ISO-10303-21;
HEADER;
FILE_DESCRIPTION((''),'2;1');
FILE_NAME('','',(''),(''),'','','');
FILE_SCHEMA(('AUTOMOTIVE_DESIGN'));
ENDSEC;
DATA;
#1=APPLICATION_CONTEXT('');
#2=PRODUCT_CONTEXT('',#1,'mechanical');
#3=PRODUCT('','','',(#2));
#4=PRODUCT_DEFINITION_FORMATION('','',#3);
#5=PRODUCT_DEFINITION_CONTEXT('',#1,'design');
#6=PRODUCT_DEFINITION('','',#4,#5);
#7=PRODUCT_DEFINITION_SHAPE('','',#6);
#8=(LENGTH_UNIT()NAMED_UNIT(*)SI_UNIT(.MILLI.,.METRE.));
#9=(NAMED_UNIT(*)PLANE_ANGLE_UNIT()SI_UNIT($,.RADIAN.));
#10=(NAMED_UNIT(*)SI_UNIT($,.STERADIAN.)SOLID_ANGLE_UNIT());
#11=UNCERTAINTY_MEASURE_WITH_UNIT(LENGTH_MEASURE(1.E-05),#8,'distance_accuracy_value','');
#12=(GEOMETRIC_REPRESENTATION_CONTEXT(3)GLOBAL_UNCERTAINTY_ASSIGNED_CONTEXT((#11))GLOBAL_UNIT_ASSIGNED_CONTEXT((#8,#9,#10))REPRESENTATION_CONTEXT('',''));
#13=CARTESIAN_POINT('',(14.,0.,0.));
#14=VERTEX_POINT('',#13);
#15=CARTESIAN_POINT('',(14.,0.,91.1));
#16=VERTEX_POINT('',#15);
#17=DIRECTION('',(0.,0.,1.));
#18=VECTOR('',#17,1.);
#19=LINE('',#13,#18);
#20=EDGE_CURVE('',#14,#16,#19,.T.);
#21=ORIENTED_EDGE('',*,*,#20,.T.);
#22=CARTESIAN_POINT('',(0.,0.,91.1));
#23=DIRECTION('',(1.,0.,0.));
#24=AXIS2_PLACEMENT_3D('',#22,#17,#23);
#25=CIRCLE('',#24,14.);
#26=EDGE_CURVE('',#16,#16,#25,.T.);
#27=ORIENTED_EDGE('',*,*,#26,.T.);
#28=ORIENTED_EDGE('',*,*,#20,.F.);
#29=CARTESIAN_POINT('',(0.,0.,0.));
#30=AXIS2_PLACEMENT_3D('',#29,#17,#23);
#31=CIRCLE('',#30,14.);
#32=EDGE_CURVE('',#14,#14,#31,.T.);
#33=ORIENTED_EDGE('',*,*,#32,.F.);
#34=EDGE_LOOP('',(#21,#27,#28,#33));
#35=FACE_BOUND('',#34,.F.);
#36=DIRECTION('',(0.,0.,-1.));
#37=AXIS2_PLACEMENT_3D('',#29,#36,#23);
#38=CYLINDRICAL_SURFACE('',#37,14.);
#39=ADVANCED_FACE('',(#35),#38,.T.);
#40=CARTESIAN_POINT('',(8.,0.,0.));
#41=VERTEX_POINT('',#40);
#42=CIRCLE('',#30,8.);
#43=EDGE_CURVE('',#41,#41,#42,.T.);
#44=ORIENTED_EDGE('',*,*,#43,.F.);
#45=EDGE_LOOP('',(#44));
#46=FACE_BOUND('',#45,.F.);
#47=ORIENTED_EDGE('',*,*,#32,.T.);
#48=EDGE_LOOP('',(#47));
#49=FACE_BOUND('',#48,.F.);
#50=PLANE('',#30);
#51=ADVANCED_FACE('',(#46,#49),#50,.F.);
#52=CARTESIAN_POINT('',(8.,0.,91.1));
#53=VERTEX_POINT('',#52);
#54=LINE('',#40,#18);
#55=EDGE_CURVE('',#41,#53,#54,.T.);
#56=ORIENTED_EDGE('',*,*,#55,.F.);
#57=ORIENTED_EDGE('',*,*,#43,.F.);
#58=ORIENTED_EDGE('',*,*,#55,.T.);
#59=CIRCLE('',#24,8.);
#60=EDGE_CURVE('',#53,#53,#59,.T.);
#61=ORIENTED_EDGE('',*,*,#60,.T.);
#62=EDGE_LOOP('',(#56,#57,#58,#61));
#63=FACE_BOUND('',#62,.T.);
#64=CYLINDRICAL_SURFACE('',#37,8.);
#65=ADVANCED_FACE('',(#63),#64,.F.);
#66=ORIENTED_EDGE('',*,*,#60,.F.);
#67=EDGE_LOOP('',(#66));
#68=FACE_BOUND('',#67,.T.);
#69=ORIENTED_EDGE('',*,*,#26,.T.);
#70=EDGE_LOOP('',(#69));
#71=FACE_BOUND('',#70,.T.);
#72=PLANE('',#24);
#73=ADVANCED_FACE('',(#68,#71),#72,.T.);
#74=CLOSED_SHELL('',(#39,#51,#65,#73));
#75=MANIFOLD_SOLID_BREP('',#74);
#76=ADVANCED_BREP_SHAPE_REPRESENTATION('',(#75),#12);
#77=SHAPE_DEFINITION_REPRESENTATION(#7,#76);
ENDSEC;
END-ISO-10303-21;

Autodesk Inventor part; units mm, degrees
ref_plane "YZ Plane" through (0, 0, 0) normal (1, 0, 0) x (0, 1, 0)
ref_plane "XZ Plane" through (0, 0, 0) normal (0, 1, 0) x (-1, 0, 0)
ref_plane "XY Plane" through (0, 0, 0) normal (0, 0, 1) x (1, 0, 0)
sketch "Эскиз1" plane through (0, 0, 0) normal (0, 0, 1) x (1, 0, 0)
  circle A0 centre (0, 0) radius 14
  circle A1 centre (0, 0) radius 8
  dimension "d0" = 28
  dimension "d1" = 16
extrude "Выдавливание1" add sketch "Эскиз1" along normal blind 91.1
properties part number "pin" material "Сталь, высокопрочная, низколегированная"
